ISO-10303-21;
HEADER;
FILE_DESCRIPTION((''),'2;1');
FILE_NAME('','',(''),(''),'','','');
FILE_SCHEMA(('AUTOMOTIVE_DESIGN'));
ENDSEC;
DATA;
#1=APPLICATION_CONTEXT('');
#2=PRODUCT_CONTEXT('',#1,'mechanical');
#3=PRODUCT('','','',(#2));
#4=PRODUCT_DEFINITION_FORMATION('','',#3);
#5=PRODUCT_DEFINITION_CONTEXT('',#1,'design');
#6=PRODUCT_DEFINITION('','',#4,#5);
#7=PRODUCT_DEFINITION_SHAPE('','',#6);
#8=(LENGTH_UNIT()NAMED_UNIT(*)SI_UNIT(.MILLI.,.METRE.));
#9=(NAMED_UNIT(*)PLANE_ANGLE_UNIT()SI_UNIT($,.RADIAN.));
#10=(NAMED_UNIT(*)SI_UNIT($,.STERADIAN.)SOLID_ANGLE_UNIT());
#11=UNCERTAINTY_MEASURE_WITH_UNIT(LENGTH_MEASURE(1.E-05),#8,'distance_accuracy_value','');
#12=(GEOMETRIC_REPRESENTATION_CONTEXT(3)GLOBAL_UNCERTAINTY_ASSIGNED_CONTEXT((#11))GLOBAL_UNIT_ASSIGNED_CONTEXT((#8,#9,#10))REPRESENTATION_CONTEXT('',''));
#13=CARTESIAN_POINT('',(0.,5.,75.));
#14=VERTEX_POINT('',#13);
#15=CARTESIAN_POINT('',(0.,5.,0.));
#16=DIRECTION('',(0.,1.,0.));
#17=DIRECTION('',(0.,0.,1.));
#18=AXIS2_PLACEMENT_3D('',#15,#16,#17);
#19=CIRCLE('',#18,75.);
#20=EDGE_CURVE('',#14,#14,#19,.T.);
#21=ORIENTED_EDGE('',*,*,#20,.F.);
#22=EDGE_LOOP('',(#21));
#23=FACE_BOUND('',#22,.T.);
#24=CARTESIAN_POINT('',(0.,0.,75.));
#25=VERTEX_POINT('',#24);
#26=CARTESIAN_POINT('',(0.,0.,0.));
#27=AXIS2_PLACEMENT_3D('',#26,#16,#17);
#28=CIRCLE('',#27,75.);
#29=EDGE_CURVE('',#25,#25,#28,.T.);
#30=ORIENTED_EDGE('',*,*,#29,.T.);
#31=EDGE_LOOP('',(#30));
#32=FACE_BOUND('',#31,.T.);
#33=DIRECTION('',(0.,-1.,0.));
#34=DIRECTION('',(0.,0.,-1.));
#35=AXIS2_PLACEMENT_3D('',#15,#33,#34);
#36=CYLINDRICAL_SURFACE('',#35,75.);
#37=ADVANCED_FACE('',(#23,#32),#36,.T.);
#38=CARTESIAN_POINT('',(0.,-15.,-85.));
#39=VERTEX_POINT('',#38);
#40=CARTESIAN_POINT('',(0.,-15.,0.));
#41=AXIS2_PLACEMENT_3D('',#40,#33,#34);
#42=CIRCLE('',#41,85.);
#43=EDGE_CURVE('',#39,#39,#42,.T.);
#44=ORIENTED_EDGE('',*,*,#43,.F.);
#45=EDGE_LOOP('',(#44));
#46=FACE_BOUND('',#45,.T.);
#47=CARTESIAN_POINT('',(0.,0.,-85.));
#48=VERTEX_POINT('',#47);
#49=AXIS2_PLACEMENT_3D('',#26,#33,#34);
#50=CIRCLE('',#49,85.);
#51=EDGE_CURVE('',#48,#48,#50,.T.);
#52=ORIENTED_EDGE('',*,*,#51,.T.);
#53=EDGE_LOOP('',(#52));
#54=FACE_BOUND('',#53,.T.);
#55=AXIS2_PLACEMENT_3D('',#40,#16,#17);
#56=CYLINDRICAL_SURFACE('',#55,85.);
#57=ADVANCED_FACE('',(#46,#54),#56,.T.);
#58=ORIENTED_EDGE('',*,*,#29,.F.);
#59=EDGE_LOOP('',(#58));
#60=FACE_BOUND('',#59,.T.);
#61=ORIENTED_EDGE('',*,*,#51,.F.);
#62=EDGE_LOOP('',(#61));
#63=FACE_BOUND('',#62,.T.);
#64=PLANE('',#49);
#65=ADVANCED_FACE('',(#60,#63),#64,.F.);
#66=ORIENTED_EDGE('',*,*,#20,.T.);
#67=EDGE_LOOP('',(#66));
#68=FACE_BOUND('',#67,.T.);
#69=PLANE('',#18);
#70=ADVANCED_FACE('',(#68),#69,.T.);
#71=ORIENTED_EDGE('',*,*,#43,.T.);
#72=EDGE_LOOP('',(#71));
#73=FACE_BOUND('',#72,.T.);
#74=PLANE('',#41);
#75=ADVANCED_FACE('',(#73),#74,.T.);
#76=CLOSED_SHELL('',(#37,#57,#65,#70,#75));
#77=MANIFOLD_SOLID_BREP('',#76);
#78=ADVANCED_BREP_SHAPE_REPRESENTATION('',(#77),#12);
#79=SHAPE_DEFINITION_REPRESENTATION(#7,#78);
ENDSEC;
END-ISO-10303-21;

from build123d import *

# Parameters (mm, degrees)
SKETCH1_R           = 75
BOSS_EXTRUDE1_DEPTH = 5
SKETCH2_R           = 85
BOSS_EXTRUDE2_DEPTH = 15


with BuildPart() as part:
    # Sketch1 → Boss-Extrude1 (new body)
    with BuildSketch(Plane(origin=(0, 0, 0), x_dir=(1, 0, 0), z_dir=(0, 1, 0))):
        Circle(SKETCH1_R)
    extrude(amount=BOSS_EXTRUDE1_DEPTH)

    # Sketch2 → Boss-Extrude2 (add)
    with BuildSketch(Plane.XZ):
        Circle(SKETCH2_R)
    extrude(amount=BOSS_EXTRUDE2_DEPTH)


solid = part.part
